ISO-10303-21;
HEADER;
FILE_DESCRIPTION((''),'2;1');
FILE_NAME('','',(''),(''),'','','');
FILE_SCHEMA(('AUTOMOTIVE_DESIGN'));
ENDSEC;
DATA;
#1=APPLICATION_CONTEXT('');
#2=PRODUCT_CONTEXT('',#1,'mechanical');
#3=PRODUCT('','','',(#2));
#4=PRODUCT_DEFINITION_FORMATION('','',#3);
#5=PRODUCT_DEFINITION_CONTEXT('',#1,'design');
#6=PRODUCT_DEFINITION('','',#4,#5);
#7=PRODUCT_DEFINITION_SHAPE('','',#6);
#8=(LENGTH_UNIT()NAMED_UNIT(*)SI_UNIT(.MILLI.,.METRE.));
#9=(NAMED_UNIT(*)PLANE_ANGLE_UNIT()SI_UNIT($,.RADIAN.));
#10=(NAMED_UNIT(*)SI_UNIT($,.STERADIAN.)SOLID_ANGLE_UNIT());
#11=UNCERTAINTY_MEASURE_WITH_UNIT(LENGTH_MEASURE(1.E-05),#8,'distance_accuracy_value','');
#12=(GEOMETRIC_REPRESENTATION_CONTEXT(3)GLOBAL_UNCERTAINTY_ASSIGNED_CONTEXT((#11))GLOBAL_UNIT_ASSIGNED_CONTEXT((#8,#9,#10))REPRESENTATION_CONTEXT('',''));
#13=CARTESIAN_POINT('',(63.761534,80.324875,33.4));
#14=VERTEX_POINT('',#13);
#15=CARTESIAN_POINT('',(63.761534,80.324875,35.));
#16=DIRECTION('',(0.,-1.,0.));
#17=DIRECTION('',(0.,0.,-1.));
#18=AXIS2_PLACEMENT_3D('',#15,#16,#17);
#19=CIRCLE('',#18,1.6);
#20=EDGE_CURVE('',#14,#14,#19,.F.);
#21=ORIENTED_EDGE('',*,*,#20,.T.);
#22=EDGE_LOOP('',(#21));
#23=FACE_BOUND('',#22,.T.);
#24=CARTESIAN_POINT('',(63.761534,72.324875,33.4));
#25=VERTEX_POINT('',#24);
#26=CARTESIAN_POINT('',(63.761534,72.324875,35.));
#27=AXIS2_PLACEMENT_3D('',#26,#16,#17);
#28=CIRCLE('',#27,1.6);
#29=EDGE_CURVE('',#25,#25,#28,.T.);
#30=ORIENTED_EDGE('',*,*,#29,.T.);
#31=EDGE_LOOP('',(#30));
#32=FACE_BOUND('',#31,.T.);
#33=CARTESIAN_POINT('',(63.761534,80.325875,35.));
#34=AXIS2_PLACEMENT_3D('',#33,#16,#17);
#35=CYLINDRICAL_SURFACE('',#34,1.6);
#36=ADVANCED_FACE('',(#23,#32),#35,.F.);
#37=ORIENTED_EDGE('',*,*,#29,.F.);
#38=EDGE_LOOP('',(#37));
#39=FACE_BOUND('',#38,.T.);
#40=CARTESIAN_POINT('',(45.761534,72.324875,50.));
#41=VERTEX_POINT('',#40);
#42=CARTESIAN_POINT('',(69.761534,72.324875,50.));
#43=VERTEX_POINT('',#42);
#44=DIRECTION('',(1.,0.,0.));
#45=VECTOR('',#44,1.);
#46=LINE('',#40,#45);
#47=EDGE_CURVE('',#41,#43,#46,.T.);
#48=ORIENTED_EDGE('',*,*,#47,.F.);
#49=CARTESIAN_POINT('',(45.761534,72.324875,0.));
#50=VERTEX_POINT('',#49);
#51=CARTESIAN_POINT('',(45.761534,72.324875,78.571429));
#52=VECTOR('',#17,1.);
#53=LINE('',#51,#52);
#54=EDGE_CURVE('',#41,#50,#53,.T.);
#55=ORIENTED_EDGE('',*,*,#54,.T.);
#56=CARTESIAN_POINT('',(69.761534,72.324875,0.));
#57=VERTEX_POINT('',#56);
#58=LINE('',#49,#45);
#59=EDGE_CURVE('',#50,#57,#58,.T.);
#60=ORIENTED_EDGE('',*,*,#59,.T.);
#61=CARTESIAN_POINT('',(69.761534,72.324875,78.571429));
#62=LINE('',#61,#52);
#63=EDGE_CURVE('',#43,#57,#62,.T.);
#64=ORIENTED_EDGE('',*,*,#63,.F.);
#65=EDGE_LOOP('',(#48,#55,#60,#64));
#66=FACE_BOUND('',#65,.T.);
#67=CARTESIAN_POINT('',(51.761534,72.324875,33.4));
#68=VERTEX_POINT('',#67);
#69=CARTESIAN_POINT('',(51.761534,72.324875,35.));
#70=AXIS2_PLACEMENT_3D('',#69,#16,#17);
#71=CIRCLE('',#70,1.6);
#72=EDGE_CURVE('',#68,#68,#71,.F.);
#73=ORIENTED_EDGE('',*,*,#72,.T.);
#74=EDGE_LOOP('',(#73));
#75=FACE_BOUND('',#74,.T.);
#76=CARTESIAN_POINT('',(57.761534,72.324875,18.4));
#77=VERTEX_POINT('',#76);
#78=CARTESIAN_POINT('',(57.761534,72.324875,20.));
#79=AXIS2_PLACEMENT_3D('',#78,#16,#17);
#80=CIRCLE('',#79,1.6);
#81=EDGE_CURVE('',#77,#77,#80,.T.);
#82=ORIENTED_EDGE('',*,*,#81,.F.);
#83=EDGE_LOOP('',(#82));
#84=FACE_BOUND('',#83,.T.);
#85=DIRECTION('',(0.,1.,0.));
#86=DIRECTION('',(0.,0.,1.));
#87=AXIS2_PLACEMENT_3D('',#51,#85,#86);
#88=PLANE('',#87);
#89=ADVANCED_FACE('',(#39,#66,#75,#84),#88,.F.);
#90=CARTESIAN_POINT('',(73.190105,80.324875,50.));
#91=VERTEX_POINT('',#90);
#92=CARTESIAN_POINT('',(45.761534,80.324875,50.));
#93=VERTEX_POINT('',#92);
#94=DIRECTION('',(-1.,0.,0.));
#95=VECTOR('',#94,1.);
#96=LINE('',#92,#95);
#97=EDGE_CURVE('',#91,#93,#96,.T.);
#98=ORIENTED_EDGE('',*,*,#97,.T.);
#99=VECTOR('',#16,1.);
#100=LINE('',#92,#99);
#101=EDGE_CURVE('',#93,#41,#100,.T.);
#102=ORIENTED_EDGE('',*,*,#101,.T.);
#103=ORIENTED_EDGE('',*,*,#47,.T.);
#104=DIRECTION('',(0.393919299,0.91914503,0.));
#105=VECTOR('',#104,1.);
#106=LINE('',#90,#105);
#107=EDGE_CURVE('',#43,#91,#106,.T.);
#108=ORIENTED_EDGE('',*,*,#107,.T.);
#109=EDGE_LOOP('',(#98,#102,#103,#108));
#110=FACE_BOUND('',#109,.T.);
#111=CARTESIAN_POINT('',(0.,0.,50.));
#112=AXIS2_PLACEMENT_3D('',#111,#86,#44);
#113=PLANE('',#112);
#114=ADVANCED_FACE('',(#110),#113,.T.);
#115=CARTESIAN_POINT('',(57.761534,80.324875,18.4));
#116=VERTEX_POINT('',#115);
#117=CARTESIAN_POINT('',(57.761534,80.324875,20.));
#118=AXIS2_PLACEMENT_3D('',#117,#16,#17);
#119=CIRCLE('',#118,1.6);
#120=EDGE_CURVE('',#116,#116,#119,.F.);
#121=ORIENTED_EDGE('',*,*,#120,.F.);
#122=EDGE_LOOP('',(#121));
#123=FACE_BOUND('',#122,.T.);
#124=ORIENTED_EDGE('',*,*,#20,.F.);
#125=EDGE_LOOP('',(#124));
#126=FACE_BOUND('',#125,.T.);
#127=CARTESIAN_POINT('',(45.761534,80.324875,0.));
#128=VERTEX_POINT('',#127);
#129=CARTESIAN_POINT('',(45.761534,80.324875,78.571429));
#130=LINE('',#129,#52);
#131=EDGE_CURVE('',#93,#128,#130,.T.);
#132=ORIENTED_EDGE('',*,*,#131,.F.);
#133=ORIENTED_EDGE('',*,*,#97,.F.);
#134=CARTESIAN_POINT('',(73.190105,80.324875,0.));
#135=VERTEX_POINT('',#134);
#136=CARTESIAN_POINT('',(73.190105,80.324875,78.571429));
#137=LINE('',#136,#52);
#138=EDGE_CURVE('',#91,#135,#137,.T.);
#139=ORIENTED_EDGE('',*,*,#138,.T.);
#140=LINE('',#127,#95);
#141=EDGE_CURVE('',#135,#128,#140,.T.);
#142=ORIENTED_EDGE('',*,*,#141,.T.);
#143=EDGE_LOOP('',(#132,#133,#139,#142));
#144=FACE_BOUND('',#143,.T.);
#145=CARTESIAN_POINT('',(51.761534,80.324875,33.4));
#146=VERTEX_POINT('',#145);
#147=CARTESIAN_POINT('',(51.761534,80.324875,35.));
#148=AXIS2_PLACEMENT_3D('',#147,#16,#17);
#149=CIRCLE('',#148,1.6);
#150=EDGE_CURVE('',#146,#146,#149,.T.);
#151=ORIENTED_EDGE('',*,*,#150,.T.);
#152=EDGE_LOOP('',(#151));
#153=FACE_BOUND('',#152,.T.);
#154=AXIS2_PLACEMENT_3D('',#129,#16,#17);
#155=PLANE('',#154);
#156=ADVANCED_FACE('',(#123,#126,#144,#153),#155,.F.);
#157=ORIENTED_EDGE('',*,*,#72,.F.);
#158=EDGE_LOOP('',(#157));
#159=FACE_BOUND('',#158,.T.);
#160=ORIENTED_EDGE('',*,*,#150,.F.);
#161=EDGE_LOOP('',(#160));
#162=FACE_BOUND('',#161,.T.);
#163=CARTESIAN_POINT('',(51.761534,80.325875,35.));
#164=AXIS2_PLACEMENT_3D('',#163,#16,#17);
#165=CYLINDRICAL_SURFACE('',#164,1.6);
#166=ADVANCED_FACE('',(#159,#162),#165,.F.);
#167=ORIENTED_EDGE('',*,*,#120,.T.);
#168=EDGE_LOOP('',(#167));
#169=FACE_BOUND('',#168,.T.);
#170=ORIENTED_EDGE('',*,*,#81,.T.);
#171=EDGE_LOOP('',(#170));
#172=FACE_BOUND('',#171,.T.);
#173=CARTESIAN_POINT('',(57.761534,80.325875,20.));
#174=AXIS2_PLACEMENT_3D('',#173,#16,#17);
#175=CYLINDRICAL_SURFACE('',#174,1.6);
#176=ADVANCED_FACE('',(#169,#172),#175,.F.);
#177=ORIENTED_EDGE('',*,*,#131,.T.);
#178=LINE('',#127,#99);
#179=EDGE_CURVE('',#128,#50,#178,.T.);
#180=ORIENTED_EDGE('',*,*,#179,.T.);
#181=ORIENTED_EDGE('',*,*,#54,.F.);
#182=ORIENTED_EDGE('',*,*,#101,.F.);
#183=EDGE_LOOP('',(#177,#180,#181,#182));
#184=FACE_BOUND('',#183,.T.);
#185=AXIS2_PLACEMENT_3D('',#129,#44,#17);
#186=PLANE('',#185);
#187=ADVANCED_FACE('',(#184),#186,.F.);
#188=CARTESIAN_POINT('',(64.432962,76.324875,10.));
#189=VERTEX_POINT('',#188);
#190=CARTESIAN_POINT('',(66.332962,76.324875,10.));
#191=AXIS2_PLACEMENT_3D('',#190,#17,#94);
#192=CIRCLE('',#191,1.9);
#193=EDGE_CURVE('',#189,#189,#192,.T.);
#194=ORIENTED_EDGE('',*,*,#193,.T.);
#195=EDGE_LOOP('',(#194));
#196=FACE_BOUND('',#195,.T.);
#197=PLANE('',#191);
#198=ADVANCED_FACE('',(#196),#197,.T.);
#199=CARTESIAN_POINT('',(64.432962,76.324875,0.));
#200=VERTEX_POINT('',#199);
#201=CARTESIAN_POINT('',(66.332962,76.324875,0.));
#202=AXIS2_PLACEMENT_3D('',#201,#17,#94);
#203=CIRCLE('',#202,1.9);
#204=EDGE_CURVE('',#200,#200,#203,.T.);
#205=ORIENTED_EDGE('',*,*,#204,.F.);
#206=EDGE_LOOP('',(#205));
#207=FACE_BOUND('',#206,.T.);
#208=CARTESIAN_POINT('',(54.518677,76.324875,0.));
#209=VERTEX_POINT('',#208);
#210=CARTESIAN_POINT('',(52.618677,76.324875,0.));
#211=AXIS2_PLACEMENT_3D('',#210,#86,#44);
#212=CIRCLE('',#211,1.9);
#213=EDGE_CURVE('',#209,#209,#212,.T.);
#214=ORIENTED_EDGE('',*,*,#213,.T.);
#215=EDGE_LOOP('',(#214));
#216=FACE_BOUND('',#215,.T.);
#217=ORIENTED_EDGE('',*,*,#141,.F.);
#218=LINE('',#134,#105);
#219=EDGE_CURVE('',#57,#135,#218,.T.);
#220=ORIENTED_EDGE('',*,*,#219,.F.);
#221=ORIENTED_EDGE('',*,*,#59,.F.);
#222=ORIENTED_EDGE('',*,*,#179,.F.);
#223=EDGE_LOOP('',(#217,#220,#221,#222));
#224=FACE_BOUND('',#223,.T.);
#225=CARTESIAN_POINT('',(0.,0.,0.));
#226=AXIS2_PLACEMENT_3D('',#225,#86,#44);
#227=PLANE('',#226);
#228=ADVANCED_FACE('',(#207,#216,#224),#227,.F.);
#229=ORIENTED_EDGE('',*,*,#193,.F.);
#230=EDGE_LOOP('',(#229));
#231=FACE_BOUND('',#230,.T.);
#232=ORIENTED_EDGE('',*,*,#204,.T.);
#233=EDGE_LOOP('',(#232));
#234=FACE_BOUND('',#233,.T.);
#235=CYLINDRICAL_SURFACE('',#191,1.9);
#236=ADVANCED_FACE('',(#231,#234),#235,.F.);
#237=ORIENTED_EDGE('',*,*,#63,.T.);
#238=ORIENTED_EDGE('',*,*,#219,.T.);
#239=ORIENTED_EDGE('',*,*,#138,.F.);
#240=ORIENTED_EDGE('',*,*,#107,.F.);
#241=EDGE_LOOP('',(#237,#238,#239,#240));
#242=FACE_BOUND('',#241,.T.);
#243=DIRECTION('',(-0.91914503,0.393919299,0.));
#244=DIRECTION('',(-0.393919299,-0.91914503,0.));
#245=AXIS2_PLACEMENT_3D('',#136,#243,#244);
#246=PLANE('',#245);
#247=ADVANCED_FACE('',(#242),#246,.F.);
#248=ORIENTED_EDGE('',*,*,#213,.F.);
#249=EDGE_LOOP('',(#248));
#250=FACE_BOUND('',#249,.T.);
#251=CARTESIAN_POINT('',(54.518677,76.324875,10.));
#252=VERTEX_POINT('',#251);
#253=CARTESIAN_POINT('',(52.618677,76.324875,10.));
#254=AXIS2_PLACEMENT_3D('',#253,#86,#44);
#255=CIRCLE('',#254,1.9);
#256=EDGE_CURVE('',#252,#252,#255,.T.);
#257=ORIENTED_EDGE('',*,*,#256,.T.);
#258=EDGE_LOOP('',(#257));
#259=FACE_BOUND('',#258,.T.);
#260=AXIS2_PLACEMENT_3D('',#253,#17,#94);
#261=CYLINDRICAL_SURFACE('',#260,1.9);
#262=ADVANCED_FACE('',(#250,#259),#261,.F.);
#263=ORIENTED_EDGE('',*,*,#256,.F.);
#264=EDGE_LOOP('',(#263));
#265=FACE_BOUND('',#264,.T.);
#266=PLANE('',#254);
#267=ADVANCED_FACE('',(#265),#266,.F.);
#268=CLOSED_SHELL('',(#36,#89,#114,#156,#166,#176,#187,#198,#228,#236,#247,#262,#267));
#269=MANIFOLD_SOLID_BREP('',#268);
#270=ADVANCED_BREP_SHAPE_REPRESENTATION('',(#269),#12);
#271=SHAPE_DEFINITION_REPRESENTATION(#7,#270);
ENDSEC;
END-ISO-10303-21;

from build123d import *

# Parameters (mm, degrees)
SALIENTE_EXTRUIR1_DEPTH = 50
CORTAR_EXTRUIR1_REACH   = 10
CROQUIS3_R              = 1.6
CROQUIS6_R              = 1.9
CORTAR_EXTRUIR3_DEPTH   = 10


with BuildPart() as part:
    # Croquis1 → Saliente-Extruir1 (new body)
    with BuildSketch(Plane.XY):
        Polygon((45.761533754, 80.324875029), (73.190105182, 80.324875029), (69.761533754, 72.324875029), (45.761533754, 72.324875029), align=None)
    extrude(amount=SALIENTE_EXTRUIR1_DEPTH)

    # Croquis3 → Cortar-Extruir1 (cut, up to next)
    with BuildSketch(Plane.XZ.offset(-72.324875029), mode=Mode.PRIVATE) as cortar_extruir1_sk1:
        with Locations((63.761533754, 35)):
            Circle(CROQUIS3_R)
    cortar_extruir1_tool1 = extrude(cortar_extruir1_sk1.sketch, amount=-CORTAR_EXTRUIR1_REACH, mode=Mode.PRIVATE) & part.part
    add(cortar_extruir1_tool1.solids().sort_by_distance((63.761534, 72.324875, 35))[0], mode=Mode.SUBTRACT)
    # Croquis3 → Cortar-Extruir1 (cut, up to next)
    with BuildSketch(Plane.XZ.offset(-72.324875029), mode=Mode.PRIVATE) as cortar_extruir1_sk2:
        with Locations((57.761533754, 20)):
            Circle(CROQUIS3_R)
    cortar_extruir1_tool2 = extrude(cortar_extruir1_sk2.sketch, amount=-CORTAR_EXTRUIR1_REACH, mode=Mode.PRIVATE) & part.part
    add(cortar_extruir1_tool2.solids().sort_by_distance((57.761534, 72.324875, 20))[0], mode=Mode.SUBTRACT)
    # Croquis3 → Cortar-Extruir1 (cut, up to next)
    with BuildSketch(Plane.XZ.offset(-72.324875029), mode=Mode.PRIVATE) as cortar_extruir1_sk3:
        with Locations((51.761533754, 35)):
            Circle(CROQUIS3_R)
    cortar_extruir1_tool3 = extrude(cortar_extruir1_sk3.sketch, amount=-CORTAR_EXTRUIR1_REACH, mode=Mode.PRIVATE) & part.part
    add(cortar_extruir1_tool3.solids().sort_by_distance((51.761534, 72.324875, 35))[0], mode=Mode.SUBTRACT)

    # Croquis6 → Cortar-Extruir3 (cut)
    with BuildSketch(Plane(origin=(0, 0, 0), x_dir=(-1, 0, 0), z_dir=(0, 0, -1))):
        with Locations((-66.332962325, 76.324875029)):
            Circle(CROQUIS6_R)
        with Locations((-52.618676611, 76.324875029)):
            Circle(CROQUIS6_R)
    extrude(amount=-CORTAR_EXTRUIR3_DEPTH, mode=Mode.SUBTRACT)


solid = part.part
